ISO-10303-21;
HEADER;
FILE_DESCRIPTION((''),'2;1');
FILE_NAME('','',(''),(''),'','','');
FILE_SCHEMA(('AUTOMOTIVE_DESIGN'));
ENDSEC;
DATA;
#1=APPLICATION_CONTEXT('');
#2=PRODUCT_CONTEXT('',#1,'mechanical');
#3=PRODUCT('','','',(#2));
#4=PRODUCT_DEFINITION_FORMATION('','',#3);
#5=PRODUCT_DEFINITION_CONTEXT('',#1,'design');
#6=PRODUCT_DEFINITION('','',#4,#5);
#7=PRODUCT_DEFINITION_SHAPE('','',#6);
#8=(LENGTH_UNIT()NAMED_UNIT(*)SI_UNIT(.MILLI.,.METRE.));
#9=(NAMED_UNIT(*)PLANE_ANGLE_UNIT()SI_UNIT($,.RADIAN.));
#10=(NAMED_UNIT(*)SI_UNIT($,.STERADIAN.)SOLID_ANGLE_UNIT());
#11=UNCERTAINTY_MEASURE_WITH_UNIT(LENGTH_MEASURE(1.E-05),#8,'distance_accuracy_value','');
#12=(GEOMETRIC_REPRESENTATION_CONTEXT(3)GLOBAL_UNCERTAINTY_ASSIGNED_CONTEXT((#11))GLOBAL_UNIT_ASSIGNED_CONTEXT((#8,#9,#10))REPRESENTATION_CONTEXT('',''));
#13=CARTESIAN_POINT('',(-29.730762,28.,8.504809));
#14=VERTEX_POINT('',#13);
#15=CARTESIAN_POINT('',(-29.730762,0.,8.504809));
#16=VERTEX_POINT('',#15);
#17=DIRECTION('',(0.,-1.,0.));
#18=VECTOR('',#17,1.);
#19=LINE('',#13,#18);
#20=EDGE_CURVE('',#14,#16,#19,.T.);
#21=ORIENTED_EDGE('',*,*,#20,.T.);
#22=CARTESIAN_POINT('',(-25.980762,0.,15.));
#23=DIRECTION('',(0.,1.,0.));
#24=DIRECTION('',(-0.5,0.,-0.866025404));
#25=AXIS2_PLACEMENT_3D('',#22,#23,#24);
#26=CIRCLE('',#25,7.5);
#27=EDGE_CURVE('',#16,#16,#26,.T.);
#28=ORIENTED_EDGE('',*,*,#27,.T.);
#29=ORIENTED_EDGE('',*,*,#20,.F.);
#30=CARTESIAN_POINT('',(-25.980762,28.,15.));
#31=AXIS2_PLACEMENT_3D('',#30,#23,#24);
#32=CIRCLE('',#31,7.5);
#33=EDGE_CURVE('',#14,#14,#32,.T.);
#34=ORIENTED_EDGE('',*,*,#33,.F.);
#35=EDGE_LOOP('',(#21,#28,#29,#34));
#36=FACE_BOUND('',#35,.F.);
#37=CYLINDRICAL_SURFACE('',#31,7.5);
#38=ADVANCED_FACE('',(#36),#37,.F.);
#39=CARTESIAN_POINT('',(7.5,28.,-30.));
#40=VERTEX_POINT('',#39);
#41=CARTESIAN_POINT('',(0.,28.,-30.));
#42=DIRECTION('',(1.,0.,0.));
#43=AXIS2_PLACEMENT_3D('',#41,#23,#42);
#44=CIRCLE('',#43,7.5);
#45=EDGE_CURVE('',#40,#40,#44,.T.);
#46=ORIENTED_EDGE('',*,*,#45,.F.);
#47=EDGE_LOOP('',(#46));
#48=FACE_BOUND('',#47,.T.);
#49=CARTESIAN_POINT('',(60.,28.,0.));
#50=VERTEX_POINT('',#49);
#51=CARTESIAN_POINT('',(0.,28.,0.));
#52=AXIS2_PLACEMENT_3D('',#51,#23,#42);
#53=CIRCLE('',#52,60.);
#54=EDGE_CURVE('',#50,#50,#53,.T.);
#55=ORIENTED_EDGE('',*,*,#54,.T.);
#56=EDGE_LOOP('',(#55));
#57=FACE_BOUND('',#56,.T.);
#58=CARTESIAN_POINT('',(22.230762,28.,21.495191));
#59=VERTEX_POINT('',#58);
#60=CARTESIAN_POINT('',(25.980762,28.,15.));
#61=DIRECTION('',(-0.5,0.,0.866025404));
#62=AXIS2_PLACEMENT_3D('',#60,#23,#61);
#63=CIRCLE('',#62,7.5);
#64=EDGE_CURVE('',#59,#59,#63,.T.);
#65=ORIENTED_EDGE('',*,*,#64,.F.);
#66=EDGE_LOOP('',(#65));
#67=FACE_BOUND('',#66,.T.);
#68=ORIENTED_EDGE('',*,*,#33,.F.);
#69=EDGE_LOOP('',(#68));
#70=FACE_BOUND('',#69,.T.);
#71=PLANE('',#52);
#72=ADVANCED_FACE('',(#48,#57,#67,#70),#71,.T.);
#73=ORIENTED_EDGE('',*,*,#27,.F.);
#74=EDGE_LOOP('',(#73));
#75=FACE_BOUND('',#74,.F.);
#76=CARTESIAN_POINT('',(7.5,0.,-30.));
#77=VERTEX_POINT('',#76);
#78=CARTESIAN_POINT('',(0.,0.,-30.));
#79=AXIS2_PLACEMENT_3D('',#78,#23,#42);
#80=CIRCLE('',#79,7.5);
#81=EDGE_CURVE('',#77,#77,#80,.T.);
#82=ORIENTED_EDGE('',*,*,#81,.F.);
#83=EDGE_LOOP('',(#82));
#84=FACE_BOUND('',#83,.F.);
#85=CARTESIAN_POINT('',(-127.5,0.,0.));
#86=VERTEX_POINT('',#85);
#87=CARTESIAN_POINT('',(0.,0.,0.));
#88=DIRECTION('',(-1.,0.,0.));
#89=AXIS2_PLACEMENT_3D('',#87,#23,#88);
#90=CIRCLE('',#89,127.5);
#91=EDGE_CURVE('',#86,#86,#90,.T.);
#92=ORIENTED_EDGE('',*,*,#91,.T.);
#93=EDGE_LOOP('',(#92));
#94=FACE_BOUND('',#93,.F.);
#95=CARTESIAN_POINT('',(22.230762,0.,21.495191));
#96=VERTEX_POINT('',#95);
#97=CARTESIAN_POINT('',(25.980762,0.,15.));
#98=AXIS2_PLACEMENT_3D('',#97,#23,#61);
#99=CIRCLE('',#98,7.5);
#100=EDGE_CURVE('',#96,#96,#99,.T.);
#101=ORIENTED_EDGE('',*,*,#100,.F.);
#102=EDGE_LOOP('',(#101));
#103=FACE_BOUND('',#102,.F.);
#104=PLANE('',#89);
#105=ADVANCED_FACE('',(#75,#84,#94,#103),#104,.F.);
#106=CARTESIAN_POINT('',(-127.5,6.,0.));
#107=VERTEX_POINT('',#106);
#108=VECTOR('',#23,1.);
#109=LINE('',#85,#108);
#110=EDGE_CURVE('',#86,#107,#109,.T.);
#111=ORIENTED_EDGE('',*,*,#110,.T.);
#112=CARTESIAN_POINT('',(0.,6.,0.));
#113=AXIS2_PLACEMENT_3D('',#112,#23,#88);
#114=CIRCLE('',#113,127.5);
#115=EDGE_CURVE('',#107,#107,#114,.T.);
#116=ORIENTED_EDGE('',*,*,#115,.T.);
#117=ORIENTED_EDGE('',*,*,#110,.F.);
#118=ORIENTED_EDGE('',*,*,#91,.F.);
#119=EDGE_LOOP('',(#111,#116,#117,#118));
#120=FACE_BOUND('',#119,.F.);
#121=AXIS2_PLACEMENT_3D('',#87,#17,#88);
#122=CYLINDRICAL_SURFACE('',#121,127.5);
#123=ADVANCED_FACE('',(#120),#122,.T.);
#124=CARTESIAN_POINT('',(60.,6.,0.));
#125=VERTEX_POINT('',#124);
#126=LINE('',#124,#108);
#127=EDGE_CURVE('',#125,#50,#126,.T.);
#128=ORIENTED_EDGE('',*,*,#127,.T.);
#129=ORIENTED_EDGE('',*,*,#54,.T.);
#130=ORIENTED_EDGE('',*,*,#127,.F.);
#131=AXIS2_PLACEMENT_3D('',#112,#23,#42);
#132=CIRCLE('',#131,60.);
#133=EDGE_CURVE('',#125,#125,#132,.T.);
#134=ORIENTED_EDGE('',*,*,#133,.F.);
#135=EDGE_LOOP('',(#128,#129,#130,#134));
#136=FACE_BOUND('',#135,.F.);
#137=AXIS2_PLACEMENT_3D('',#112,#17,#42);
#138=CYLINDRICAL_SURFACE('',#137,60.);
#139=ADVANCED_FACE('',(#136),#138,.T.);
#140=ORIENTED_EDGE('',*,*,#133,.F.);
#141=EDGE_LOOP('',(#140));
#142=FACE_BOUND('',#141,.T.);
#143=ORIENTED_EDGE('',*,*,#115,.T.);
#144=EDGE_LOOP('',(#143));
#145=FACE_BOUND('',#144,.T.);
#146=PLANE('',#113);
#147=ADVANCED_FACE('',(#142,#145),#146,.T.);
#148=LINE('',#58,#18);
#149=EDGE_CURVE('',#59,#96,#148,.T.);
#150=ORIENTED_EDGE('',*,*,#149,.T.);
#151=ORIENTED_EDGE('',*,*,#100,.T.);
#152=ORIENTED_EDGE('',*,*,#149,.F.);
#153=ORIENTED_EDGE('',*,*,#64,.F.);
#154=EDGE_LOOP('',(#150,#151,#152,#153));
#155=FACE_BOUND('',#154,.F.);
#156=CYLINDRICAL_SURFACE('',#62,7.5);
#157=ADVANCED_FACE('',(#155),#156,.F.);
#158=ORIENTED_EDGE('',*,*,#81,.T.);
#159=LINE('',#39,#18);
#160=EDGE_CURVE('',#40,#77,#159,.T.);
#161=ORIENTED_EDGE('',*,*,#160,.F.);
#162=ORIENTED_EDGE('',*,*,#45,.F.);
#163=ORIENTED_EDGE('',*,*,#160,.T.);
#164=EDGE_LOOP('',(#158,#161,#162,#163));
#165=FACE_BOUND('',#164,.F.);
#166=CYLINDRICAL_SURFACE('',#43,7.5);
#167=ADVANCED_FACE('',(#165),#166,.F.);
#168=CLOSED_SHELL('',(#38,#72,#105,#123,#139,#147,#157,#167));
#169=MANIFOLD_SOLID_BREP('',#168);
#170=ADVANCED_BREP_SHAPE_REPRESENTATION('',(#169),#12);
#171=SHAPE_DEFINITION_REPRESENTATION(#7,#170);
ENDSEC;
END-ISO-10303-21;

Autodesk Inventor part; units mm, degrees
ref_plane "YZ Plane" through (0, 0, 0) normal (1, 0, 0) x (0, 1, 0)
ref_plane "XZ Plane" through (0, 0, 0) normal (0, 1, 0) x (-1, 0, 0)
ref_plane "XY Plane" through (0, 0, 0) normal (0, 0, 1) x (1, 0, 0)
sketch "Sketch1" plane through (0, 0, 0) normal (0, 1, 0) x (-1, 0, 0)
  circle A0 centre (0, 0) radius 127.5
  dimension "d0" = 255
extrude "Extrusion1" add sketch "Sketch1" along normal blind 6
sketch "Sketch2" plane through (0, 6, 0) normal (0, 1, 0) x (1, 0, 0)
  circle A0 centre (0, 0) radius 127.5 projected
  circle A1 centre (0, 0) radius 60
  dimension "d4" = 120
extrude "Extrusion2" add sketch "Sketch2" along normal blind 22 contours A1
sketch "Sketch3" plane through (0, 28, 0) normal (0, 1, 0) x (1, 0, 0)
  circle A0 centre (0, 0) radius 60 projected
  circle A1 centre (0, 30) radius 7.5
  line L0 (0, 30) -> (0, 0) construction
  dimension "d8" = 15
  dimension "d16" = 30
extrude "Extrusion3" cut sketch "Sketch3" against normal through all contours A1
pattern_circular "Circular Pattern1" count 3 over 360 about axis through (0, 6, 0) along (0, 1, 0) of "Extrusion3"
properties part number "rotor"
